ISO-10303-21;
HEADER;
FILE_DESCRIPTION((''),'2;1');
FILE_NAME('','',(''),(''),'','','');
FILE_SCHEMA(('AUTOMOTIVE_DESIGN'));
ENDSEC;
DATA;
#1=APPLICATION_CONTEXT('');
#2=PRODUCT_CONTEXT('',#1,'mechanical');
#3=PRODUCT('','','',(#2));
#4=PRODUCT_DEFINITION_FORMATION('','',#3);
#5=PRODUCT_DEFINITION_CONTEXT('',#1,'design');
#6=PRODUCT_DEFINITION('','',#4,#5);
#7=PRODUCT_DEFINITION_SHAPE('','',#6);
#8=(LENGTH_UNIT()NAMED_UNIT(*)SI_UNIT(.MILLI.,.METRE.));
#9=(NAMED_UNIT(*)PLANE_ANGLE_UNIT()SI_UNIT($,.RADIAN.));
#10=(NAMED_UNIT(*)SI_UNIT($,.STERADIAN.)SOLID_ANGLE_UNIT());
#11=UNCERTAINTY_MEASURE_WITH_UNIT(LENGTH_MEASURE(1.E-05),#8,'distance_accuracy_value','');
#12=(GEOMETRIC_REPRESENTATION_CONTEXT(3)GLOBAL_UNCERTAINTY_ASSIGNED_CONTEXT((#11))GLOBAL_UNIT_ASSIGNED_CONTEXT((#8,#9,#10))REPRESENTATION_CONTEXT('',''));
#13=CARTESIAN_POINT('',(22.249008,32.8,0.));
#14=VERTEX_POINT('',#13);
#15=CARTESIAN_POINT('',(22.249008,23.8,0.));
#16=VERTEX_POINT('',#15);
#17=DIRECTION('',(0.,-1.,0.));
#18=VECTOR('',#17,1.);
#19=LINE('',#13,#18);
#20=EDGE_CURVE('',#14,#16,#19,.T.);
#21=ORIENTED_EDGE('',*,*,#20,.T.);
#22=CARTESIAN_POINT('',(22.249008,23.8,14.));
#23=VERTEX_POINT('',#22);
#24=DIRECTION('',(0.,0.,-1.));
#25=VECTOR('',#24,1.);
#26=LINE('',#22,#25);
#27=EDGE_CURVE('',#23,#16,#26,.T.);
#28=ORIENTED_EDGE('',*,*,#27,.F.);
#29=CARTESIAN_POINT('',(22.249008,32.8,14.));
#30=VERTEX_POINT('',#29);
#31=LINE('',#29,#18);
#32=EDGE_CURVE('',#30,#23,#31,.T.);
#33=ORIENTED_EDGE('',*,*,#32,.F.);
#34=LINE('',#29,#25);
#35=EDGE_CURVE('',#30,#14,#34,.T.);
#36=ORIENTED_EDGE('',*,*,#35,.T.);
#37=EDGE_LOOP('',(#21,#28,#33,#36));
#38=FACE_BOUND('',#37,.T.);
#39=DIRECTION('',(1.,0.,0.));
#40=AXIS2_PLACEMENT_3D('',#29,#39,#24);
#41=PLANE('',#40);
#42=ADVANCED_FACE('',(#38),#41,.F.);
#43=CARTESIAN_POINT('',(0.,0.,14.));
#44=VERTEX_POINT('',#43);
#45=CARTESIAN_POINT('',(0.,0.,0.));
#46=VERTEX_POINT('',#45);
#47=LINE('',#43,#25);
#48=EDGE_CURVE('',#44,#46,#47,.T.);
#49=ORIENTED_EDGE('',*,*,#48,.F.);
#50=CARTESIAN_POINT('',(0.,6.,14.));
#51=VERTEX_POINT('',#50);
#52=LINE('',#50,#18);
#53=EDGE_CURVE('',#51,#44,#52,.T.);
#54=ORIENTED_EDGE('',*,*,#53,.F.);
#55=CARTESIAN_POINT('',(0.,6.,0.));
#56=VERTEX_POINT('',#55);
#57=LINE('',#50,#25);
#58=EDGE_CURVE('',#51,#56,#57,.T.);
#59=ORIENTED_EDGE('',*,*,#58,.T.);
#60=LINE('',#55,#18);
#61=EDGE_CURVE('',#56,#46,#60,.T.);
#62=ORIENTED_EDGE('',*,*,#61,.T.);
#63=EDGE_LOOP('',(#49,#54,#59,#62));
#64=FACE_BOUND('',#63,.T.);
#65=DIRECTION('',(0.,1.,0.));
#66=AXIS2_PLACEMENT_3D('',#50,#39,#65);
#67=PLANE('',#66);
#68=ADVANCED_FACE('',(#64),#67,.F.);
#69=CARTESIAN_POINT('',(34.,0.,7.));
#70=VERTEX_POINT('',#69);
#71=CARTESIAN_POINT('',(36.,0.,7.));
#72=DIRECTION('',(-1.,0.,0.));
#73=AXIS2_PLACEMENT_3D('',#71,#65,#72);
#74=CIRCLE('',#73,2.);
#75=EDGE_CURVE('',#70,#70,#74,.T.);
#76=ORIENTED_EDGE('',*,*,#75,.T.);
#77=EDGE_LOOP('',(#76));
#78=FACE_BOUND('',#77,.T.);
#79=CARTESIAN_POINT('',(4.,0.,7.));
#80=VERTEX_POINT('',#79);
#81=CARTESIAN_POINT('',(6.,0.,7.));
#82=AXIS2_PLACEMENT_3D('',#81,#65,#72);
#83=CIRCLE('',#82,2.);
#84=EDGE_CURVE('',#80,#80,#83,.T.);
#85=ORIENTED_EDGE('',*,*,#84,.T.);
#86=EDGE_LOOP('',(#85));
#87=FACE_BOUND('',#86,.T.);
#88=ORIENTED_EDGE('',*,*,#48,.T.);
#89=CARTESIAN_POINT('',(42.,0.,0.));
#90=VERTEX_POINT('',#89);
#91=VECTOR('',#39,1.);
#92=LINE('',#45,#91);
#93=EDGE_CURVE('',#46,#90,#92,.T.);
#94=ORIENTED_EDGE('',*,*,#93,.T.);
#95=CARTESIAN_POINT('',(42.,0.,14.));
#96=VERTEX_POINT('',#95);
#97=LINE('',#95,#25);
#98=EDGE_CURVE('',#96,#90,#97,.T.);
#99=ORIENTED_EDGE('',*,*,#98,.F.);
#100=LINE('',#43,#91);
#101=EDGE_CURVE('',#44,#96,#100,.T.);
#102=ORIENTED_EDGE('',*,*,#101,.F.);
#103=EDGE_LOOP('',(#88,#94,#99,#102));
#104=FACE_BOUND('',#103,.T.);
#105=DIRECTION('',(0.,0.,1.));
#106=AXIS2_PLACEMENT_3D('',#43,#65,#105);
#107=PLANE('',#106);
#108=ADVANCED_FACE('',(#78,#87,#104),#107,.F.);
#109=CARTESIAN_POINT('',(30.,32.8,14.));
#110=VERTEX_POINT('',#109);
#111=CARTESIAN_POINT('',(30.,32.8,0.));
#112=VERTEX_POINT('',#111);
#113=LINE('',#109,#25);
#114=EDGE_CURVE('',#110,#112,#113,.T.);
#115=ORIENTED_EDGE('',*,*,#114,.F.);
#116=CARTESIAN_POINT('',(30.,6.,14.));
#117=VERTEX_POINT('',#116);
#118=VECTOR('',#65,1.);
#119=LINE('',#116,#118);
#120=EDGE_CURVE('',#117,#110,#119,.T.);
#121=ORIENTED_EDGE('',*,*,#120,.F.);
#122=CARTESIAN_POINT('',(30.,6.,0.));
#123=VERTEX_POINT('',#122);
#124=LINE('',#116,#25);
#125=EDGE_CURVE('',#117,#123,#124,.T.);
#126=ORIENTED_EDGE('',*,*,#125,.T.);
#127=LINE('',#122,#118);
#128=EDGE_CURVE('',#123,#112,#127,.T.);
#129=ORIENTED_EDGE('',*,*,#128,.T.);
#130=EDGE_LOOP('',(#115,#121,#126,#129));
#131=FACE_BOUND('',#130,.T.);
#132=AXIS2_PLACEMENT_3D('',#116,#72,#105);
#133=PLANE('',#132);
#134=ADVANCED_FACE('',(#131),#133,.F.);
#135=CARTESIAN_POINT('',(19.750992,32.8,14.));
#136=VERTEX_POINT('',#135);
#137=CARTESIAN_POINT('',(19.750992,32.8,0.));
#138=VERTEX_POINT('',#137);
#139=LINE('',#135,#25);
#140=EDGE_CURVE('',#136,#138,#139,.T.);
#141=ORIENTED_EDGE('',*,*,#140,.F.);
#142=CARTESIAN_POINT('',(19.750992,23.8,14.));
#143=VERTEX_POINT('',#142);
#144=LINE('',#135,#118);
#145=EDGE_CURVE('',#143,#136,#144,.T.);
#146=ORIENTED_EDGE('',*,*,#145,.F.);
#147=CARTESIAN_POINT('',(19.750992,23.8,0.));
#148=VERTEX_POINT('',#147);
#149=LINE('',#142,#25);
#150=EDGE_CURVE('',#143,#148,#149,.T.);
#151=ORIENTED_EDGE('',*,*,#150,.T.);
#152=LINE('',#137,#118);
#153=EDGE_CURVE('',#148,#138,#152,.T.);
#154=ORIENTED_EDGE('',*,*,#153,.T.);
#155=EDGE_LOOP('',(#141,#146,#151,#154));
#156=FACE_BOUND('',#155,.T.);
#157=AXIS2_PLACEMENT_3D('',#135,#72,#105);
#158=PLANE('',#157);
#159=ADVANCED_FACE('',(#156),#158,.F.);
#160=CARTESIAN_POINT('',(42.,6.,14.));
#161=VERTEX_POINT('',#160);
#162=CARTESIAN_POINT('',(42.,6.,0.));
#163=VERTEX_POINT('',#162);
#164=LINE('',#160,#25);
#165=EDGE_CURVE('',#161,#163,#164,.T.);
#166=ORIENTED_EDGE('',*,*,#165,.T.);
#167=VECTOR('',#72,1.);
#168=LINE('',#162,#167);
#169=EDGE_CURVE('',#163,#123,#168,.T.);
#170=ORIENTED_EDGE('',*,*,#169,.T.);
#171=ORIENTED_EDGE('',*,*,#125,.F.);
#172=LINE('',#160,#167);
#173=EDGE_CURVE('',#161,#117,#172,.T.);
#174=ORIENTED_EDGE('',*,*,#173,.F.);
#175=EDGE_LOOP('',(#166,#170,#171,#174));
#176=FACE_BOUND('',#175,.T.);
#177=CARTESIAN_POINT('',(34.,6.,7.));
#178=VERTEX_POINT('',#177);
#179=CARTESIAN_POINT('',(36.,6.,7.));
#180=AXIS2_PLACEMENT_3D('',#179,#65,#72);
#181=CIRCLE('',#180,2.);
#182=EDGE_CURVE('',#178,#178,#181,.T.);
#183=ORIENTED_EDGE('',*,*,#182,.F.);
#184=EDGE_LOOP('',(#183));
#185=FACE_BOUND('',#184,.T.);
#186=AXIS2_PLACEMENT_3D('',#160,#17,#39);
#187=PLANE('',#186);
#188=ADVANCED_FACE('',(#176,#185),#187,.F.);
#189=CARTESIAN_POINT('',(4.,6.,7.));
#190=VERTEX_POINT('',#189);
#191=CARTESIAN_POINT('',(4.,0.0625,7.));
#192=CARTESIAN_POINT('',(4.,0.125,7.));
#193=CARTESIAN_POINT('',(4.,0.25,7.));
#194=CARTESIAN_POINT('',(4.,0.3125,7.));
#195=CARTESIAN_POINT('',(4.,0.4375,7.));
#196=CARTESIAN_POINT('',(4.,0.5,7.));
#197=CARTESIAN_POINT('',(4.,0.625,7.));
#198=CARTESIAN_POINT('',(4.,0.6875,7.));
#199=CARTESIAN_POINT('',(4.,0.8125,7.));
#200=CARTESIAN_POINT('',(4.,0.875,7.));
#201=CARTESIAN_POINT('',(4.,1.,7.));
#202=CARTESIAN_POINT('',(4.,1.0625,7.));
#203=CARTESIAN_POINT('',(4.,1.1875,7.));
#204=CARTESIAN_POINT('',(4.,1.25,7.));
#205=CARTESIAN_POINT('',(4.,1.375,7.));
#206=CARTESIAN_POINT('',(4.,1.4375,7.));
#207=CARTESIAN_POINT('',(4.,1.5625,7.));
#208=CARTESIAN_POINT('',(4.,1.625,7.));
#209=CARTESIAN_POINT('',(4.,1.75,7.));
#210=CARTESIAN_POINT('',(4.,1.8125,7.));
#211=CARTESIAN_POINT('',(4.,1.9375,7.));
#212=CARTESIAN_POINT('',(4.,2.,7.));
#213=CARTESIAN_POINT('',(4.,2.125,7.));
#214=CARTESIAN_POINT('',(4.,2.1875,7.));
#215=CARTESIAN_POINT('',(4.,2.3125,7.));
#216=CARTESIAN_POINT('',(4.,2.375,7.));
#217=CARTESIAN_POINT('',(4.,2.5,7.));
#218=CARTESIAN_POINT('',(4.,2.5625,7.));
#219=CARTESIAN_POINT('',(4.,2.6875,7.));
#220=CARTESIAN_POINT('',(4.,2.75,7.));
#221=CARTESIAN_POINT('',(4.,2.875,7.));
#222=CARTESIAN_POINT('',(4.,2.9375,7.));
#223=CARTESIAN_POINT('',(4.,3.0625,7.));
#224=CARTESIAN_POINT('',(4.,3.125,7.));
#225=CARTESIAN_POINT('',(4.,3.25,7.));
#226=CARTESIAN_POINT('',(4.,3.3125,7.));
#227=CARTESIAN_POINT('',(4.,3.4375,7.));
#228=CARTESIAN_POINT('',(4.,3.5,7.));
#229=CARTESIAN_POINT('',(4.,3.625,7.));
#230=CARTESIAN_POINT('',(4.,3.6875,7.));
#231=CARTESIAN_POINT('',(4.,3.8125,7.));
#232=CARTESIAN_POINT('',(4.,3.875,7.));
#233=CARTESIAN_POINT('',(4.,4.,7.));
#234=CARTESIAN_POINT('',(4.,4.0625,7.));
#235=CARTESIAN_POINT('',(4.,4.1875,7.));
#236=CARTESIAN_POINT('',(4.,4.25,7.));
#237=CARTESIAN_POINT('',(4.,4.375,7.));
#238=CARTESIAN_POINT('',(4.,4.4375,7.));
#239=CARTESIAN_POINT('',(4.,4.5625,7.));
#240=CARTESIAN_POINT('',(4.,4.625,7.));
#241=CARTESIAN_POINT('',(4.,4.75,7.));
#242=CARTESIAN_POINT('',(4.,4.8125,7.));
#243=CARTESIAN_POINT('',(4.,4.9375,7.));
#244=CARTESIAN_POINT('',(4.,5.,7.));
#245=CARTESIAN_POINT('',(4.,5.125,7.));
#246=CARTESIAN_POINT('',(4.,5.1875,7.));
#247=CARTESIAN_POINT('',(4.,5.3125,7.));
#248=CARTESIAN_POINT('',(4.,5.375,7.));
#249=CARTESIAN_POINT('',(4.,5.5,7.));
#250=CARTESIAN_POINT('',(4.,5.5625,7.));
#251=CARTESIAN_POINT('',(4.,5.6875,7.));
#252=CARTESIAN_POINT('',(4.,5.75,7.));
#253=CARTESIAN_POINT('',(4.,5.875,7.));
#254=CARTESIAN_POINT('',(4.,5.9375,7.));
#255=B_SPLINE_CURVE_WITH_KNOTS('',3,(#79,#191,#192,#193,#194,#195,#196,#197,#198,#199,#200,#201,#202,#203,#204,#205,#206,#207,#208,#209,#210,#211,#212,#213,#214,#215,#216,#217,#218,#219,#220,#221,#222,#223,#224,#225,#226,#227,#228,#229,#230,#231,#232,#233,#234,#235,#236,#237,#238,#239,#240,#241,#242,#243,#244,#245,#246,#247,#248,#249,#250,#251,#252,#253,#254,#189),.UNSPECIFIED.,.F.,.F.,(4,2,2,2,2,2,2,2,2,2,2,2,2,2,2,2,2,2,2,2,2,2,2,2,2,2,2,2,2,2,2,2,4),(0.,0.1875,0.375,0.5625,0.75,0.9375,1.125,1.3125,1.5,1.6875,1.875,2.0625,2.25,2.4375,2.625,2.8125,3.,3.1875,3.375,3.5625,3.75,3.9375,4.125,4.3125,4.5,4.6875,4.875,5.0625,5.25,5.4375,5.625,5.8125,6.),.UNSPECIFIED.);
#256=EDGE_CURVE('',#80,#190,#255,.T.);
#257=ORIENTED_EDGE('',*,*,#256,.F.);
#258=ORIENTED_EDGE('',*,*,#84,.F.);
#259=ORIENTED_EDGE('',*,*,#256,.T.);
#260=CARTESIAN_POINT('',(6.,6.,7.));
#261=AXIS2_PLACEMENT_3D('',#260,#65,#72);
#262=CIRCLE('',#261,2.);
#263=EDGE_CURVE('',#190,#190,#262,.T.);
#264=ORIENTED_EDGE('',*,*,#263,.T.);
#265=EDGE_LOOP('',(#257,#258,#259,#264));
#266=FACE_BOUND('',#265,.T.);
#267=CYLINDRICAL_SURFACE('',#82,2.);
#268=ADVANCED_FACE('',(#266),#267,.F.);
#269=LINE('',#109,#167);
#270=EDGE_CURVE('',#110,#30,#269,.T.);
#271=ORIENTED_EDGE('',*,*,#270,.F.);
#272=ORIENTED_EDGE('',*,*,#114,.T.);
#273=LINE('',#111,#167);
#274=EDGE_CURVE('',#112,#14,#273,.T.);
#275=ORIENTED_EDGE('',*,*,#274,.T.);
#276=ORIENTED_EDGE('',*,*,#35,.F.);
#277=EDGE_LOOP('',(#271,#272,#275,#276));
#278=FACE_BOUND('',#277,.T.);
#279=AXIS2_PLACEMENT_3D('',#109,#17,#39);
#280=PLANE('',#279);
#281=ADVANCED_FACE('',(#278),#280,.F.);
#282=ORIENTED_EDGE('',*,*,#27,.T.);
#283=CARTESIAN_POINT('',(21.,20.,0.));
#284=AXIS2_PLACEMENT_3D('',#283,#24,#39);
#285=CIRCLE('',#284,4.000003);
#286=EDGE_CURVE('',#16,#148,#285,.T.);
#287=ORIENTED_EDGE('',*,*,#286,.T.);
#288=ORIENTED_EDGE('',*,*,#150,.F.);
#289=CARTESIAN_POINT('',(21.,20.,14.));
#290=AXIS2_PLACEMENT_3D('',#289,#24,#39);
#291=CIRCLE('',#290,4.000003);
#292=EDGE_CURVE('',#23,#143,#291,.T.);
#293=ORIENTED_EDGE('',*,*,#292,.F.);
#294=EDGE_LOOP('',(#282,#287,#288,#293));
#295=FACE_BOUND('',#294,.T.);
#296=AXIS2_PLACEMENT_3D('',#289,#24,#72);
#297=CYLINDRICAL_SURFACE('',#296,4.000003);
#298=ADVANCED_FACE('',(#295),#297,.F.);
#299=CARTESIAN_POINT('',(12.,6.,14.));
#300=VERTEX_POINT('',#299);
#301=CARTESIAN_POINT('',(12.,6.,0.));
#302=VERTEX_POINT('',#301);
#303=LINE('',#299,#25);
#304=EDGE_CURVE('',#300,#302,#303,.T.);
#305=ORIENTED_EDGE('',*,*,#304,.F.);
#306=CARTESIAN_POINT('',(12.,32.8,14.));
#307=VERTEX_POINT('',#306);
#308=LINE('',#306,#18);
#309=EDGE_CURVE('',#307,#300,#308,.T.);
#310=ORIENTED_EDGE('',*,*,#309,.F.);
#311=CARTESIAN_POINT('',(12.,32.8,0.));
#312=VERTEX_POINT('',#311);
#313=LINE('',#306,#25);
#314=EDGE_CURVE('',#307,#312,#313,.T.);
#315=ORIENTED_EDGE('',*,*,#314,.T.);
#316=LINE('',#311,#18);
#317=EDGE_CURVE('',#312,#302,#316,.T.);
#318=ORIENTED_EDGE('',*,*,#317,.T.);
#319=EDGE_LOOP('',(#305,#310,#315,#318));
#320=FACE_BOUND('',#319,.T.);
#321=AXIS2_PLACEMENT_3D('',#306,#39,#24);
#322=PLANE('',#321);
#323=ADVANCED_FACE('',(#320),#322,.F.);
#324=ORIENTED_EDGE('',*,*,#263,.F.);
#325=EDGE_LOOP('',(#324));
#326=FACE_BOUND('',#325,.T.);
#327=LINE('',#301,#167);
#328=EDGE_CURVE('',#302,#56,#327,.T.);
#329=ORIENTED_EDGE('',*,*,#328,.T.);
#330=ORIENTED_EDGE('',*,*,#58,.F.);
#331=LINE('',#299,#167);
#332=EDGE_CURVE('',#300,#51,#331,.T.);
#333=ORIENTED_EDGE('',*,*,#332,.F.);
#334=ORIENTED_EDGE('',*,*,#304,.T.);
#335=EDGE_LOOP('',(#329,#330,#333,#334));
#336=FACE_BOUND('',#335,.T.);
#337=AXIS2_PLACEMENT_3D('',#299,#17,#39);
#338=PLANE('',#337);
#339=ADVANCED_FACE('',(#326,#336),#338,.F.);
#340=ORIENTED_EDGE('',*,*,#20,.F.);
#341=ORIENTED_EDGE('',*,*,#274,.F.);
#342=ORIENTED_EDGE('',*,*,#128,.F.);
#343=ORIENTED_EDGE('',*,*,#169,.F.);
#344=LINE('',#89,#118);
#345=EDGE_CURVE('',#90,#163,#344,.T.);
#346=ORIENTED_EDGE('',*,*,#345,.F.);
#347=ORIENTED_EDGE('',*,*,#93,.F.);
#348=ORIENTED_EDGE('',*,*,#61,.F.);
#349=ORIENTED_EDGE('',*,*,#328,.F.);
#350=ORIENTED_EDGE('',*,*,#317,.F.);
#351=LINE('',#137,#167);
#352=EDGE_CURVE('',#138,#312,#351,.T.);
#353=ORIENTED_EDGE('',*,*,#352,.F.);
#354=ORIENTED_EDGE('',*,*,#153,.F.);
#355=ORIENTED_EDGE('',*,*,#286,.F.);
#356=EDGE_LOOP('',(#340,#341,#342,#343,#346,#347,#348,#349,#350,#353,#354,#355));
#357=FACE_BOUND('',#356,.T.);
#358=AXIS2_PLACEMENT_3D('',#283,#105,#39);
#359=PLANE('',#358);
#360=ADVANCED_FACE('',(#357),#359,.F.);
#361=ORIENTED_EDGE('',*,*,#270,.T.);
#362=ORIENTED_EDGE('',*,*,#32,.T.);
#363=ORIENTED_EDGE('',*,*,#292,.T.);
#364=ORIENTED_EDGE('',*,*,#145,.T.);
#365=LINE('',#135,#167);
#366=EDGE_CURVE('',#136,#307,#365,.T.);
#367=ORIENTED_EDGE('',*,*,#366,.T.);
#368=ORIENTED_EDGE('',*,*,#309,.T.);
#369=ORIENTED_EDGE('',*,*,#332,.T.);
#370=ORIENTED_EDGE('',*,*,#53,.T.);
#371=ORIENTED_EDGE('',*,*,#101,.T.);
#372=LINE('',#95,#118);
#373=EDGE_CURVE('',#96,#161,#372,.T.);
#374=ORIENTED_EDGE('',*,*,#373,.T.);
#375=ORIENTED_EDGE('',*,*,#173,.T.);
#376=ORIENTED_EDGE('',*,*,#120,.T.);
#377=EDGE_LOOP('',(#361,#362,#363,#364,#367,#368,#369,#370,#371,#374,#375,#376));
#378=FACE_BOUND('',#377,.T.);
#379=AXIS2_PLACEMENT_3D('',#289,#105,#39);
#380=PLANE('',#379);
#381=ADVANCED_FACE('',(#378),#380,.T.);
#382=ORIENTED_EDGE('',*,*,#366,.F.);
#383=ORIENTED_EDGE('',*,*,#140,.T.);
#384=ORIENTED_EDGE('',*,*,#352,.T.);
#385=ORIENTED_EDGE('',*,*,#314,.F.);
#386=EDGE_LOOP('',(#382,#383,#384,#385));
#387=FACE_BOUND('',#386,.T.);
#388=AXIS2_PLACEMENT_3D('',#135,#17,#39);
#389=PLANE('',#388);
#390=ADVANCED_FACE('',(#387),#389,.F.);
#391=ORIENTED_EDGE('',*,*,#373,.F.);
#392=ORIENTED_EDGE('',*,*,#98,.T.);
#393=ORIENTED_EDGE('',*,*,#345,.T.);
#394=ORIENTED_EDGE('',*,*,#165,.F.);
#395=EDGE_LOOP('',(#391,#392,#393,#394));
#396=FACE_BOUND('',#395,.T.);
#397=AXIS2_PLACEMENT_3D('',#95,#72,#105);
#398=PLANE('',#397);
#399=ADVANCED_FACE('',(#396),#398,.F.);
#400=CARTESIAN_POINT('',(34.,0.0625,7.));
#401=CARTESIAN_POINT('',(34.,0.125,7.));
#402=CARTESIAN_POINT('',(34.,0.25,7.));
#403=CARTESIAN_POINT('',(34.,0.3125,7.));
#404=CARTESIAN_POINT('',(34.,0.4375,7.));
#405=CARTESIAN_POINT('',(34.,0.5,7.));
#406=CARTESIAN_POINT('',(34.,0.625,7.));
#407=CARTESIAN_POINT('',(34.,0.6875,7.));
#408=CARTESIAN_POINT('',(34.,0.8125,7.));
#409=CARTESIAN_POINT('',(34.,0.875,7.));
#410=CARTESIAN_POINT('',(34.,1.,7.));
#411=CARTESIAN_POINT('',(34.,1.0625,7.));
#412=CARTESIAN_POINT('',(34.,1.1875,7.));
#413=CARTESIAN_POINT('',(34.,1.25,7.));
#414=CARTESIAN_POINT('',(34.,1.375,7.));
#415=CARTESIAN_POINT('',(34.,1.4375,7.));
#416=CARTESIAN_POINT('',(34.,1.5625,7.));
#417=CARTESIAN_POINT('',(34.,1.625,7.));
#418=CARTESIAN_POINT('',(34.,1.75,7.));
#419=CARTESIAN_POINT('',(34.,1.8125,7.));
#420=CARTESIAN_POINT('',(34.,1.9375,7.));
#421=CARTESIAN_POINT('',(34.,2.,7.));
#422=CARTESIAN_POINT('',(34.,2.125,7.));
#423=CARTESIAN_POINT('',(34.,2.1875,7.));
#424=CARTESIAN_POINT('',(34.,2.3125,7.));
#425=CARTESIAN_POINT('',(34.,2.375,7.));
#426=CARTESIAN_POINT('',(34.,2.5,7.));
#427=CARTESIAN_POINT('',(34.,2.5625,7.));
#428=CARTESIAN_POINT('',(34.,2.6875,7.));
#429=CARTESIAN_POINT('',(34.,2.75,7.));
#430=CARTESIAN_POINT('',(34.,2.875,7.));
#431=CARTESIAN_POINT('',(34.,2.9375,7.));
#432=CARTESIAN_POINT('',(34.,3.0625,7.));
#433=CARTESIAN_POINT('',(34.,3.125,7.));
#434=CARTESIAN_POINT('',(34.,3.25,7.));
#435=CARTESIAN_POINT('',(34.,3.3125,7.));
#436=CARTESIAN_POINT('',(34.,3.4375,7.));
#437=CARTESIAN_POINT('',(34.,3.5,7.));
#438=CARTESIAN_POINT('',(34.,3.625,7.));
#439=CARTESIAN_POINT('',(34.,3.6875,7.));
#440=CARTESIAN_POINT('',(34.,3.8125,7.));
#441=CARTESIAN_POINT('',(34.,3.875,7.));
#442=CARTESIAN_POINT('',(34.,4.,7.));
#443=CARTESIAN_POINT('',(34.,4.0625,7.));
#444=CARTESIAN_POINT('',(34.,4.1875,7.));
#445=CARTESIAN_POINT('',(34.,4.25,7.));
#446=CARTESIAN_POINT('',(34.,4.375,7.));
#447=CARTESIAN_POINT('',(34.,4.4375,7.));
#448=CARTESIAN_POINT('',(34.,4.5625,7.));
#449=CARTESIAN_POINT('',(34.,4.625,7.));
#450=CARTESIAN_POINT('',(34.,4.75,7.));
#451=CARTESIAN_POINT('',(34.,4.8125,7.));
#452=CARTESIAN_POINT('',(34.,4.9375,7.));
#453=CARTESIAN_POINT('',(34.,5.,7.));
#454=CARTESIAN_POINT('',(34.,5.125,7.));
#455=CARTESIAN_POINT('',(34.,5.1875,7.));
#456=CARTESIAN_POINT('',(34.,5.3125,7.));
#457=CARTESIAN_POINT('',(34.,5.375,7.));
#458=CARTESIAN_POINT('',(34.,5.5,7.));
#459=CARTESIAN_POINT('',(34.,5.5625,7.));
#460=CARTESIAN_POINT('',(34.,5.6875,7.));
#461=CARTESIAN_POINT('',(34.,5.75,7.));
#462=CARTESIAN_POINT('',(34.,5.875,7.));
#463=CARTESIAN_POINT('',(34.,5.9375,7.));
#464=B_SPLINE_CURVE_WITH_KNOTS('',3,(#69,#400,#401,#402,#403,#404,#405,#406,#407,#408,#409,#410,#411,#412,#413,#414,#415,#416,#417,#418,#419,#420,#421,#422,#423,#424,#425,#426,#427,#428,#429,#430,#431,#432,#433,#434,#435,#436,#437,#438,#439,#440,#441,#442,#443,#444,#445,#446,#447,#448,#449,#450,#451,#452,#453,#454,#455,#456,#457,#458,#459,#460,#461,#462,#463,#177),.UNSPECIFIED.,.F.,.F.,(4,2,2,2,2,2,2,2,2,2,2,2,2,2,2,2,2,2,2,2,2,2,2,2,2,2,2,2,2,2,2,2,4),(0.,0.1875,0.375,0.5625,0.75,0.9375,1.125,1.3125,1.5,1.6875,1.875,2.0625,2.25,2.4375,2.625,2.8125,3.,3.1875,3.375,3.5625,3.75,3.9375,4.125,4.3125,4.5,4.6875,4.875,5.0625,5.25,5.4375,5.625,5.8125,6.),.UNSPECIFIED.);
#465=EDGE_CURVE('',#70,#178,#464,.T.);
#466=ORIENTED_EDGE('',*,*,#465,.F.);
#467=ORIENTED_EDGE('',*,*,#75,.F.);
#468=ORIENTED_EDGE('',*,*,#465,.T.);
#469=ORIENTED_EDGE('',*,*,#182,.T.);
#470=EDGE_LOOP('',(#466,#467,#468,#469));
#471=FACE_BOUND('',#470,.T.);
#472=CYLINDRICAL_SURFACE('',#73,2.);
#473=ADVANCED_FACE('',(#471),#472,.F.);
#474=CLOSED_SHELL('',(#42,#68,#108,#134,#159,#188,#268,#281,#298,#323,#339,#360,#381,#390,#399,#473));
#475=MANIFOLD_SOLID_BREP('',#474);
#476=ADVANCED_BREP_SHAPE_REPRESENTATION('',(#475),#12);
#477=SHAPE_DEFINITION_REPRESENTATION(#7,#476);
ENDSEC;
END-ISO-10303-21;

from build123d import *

# Parameters (mm, degrees)
BOSS_EXTRUDE1_DEPTH = 14
SKETCH2_R           = 2
CUT_EXTRUDE1_DEPTH  = 52.751714947


with BuildPart() as part:
    # Sketch1 → Boss-Extrude1 (new body)
    with BuildSketch(Plane.XY):
        with BuildLine():
            Line((0, 0), (42, 0))
            Line((42, 0), (42, 6))
            Line((42, 6), (30, 6))
            Line((30, 6), (30, 32.8))
            Line((30, 32.8), (22.249007882, 32.8))
            Line((22.249007882, 32.8), (22.249007882, 23.8))
            ThreePointArc((22.249007882, 23.8), (21, 15.999997414), (19.750992118, 23.8))
            Line((19.750992118, 23.8), (19.750992118, 32.8))
            Line((19.750992118, 32.8), (12, 32.8))
            Line((12, 32.8), (12, 6))
            Line((12, 6), (0, 6))
            Line((0, 6), (0, 0))
        make_face()
    extrude(amount=BOSS_EXTRUDE1_DEPTH)

    # Sketch2 → Cut-Extrude1 (cut, through all)
    with BuildSketch(Plane(origin=(0, 6, 0), x_dir=(1, 0, 0), z_dir=(0, 1, 0))):
        with Locations(Location((6, -7, 0), (0, 0, 180))):
            Circle(SKETCH2_R)
        with Locations(Location((36, -7, 0), (0, 0, 180))):
            Circle(SKETCH2_R)
    extrude(amount=-CUT_EXTRUDE1_DEPTH, mode=Mode.SUBTRACT)


solid = part.part
